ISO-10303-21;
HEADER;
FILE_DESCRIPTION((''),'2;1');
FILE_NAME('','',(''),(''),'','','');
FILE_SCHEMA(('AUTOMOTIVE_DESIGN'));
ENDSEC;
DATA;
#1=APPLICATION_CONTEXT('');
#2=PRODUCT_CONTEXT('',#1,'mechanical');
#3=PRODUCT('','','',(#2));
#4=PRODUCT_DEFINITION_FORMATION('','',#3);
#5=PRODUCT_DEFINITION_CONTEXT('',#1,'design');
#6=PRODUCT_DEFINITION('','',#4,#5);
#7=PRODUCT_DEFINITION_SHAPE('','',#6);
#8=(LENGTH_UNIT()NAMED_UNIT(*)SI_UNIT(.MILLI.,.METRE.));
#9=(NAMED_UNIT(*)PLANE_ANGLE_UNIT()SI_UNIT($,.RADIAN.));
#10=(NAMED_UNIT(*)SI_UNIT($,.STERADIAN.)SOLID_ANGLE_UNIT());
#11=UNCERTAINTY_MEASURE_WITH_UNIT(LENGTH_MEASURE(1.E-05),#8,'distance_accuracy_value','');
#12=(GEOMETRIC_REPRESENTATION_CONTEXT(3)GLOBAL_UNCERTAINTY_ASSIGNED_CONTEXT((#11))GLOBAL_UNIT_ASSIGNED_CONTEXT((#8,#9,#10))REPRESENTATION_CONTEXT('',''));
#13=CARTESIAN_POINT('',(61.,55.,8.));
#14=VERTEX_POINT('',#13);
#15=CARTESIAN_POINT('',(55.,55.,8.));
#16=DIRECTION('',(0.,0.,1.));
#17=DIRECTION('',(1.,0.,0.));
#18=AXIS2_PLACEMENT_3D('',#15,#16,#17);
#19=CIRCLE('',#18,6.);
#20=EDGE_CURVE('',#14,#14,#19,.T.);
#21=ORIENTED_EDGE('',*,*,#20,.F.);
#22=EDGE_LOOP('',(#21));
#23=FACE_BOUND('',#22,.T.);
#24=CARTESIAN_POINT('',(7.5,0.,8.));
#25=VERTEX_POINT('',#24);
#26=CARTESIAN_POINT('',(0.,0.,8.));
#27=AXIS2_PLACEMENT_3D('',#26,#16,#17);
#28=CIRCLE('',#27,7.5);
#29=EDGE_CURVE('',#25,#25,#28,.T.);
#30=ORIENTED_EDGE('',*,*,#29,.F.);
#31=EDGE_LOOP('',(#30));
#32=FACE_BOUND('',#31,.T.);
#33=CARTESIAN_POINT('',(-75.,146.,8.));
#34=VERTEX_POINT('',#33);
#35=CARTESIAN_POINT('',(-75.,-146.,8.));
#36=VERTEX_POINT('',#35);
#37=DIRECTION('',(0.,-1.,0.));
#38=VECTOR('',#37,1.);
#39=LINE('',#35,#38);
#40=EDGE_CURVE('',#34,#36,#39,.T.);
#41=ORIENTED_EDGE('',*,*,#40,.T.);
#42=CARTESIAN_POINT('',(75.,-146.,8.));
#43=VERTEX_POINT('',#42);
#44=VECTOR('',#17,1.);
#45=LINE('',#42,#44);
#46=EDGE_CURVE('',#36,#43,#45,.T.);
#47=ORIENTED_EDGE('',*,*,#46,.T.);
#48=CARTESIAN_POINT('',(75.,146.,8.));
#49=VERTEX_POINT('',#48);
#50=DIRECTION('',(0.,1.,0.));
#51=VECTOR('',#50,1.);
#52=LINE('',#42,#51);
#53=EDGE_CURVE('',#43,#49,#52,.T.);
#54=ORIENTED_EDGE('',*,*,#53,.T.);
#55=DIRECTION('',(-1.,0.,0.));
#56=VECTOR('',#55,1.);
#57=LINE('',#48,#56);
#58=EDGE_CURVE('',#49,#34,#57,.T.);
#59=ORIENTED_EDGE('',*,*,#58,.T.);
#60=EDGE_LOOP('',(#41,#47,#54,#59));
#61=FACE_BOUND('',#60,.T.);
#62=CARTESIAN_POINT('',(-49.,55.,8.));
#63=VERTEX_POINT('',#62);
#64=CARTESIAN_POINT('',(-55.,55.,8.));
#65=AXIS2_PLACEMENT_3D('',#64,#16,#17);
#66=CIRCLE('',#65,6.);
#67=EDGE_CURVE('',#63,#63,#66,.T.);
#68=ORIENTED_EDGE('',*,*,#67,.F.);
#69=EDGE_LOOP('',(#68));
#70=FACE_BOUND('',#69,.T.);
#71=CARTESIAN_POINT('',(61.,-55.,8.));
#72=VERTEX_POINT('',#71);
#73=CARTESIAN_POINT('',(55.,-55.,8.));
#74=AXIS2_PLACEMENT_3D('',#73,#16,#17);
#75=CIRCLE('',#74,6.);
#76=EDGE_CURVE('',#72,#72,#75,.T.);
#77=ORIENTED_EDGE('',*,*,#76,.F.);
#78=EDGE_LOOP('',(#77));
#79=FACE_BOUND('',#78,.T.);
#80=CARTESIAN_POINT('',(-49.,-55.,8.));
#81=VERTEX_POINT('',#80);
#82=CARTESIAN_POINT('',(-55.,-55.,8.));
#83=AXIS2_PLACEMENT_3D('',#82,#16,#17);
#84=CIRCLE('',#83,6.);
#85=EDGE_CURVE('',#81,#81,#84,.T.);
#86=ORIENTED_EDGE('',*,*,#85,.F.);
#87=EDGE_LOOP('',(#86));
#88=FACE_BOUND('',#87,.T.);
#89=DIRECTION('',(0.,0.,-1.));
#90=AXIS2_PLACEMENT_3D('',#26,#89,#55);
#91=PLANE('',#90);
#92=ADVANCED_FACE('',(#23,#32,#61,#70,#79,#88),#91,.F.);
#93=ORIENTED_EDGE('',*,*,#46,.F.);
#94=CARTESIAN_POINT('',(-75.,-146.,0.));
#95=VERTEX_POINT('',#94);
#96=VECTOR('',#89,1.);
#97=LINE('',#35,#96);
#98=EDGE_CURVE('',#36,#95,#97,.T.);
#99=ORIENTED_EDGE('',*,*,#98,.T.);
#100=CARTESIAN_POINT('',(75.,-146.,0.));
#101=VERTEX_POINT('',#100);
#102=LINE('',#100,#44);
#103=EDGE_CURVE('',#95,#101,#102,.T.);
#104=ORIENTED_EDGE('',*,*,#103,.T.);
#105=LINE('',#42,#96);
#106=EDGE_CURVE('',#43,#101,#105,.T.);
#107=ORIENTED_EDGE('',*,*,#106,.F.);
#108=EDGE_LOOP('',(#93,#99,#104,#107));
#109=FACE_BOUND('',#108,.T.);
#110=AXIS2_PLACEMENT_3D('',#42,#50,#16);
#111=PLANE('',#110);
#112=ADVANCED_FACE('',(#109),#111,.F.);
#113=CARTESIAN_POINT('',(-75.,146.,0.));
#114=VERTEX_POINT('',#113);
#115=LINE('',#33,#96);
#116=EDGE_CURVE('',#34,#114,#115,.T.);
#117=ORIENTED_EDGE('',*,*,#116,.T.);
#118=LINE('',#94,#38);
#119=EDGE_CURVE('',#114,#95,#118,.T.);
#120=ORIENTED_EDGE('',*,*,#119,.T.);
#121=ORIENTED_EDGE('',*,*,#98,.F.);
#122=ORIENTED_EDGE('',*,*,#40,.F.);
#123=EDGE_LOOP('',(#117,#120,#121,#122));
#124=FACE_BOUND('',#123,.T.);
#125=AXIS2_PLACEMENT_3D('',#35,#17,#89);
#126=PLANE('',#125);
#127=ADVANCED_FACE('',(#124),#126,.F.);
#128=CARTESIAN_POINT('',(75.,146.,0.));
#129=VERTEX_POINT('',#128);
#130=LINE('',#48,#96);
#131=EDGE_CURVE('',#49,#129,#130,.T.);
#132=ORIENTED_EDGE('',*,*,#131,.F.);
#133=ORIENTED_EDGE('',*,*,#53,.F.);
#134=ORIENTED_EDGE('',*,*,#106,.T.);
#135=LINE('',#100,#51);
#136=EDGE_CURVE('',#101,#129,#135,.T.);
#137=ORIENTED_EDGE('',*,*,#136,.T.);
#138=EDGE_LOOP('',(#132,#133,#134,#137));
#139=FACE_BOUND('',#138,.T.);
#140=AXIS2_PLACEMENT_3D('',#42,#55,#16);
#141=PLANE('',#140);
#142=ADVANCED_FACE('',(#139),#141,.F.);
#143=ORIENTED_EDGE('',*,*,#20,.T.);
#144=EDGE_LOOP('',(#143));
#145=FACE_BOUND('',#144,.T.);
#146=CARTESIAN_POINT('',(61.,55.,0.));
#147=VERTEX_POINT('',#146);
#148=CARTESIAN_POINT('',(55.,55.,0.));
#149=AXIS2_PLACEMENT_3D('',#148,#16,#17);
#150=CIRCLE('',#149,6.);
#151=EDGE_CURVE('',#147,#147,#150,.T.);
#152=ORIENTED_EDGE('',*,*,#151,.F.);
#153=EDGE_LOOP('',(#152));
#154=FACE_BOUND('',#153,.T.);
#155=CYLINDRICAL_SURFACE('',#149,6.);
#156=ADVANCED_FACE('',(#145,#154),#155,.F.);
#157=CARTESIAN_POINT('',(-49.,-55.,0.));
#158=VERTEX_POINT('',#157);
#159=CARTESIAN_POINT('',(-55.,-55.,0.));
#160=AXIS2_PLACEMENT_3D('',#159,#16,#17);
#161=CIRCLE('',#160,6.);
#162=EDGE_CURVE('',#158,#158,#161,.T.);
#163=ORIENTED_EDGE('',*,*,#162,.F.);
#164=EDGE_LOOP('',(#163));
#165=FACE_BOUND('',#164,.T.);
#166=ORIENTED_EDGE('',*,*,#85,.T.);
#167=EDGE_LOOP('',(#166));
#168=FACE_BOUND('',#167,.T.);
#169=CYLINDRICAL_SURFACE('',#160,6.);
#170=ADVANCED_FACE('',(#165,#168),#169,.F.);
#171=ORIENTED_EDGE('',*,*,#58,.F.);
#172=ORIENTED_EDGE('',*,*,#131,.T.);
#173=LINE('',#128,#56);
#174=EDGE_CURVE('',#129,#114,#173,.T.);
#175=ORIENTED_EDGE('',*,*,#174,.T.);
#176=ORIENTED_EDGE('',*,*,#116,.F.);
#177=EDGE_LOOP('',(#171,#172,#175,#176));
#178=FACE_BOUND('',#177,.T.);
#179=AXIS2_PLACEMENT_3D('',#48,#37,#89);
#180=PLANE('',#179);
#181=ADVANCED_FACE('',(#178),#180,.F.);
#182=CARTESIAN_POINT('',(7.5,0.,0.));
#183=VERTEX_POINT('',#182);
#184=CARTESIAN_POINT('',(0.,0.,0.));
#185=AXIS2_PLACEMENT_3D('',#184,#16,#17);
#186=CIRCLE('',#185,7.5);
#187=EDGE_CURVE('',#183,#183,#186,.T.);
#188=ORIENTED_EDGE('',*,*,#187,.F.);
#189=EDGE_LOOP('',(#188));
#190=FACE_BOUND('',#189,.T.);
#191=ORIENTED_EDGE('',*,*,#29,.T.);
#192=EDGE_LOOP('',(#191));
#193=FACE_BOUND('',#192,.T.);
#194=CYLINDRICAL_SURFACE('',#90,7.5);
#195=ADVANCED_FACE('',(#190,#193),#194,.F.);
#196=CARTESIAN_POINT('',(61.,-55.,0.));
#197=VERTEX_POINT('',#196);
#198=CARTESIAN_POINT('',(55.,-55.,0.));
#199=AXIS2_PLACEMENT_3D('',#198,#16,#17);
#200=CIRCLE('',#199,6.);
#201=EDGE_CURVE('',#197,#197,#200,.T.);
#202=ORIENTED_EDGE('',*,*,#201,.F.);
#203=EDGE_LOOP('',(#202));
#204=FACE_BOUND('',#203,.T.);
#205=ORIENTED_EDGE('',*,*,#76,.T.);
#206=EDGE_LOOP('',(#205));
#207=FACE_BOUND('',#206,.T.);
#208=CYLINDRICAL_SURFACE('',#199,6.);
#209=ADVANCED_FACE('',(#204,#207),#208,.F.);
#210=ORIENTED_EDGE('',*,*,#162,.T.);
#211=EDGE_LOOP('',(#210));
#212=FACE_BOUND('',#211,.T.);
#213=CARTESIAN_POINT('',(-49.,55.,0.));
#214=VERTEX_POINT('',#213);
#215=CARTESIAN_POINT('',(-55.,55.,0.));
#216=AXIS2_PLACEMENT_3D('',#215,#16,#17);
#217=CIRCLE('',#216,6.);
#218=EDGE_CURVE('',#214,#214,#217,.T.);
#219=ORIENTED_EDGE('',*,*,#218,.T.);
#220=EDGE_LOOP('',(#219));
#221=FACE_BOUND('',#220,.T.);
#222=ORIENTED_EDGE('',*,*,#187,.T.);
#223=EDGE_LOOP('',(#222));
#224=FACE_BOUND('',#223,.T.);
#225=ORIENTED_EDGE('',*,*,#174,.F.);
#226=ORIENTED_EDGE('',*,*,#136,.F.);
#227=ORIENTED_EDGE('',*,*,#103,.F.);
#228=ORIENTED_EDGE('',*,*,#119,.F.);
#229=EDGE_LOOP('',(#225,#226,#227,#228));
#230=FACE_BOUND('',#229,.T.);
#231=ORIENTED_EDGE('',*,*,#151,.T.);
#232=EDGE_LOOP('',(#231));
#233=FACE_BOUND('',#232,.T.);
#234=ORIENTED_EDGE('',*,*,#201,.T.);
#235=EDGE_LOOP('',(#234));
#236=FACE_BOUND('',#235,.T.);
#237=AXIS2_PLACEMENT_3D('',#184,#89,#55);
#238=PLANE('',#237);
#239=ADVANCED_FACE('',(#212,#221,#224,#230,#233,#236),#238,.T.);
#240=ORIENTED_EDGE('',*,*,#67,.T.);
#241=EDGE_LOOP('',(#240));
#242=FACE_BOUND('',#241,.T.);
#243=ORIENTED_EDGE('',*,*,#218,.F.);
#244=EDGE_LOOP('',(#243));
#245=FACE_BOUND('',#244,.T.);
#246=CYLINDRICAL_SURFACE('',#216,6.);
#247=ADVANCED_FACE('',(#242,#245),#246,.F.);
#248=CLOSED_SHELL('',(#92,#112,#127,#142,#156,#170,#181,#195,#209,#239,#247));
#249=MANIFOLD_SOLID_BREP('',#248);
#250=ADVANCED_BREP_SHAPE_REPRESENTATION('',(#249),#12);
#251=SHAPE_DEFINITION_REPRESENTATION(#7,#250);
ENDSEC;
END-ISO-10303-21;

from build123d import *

# Parameters (mm, degrees)
SKETCH1_W           = 292
SKETCH1_H           = 150
BOSS_EXTRUDE1_DEPTH = 8
SKETCH2_R           = 6
CUT_EXTRUDE1_DEPTH  = 165.331981063
SKETCH3_R           = 7.5
CUT_EXTRUDE2_DEPTH  = 165.331981063


with BuildPart() as part:
    # Sketch1 → Boss-Extrude1 (new body)
    with BuildSketch(Plane(origin=(0, 0, 0), x_dir=(0, 1, 0), z_dir=(0, 0, 1))):
        Rectangle(SKETCH1_W, SKETCH1_H)
    extrude(amount=BOSS_EXTRUDE1_DEPTH)

    # Sketch2 → Cut-Extrude1 (cut, through all)
    with BuildSketch(Plane.XY.offset(8)):
        with Locations((-55, 55)):
            Circle(SKETCH2_R)
        with Locations((55, 55)):
            Circle(SKETCH2_R)
        with Locations((-55, -55)):
            Circle(SKETCH2_R)
        with Locations((55, -55)):
            Circle(SKETCH2_R)
    extrude(amount=-CUT_EXTRUDE1_DEPTH, mode=Mode.SUBTRACT)

    # Sketch3 → Cut-Extrude2 (cut, through all)
    with BuildSketch(Plane(origin=(0, 0, 0), x_dir=(0, 1, 0), z_dir=(0, 0, 1))):
        with Locations(Location((0, 0, 0), (0, 0, 270))):
            Circle(SKETCH3_R)
    extrude(amount=CUT_EXTRUDE2_DEPTH, mode=Mode.SUBTRACT)


solid = part.part
